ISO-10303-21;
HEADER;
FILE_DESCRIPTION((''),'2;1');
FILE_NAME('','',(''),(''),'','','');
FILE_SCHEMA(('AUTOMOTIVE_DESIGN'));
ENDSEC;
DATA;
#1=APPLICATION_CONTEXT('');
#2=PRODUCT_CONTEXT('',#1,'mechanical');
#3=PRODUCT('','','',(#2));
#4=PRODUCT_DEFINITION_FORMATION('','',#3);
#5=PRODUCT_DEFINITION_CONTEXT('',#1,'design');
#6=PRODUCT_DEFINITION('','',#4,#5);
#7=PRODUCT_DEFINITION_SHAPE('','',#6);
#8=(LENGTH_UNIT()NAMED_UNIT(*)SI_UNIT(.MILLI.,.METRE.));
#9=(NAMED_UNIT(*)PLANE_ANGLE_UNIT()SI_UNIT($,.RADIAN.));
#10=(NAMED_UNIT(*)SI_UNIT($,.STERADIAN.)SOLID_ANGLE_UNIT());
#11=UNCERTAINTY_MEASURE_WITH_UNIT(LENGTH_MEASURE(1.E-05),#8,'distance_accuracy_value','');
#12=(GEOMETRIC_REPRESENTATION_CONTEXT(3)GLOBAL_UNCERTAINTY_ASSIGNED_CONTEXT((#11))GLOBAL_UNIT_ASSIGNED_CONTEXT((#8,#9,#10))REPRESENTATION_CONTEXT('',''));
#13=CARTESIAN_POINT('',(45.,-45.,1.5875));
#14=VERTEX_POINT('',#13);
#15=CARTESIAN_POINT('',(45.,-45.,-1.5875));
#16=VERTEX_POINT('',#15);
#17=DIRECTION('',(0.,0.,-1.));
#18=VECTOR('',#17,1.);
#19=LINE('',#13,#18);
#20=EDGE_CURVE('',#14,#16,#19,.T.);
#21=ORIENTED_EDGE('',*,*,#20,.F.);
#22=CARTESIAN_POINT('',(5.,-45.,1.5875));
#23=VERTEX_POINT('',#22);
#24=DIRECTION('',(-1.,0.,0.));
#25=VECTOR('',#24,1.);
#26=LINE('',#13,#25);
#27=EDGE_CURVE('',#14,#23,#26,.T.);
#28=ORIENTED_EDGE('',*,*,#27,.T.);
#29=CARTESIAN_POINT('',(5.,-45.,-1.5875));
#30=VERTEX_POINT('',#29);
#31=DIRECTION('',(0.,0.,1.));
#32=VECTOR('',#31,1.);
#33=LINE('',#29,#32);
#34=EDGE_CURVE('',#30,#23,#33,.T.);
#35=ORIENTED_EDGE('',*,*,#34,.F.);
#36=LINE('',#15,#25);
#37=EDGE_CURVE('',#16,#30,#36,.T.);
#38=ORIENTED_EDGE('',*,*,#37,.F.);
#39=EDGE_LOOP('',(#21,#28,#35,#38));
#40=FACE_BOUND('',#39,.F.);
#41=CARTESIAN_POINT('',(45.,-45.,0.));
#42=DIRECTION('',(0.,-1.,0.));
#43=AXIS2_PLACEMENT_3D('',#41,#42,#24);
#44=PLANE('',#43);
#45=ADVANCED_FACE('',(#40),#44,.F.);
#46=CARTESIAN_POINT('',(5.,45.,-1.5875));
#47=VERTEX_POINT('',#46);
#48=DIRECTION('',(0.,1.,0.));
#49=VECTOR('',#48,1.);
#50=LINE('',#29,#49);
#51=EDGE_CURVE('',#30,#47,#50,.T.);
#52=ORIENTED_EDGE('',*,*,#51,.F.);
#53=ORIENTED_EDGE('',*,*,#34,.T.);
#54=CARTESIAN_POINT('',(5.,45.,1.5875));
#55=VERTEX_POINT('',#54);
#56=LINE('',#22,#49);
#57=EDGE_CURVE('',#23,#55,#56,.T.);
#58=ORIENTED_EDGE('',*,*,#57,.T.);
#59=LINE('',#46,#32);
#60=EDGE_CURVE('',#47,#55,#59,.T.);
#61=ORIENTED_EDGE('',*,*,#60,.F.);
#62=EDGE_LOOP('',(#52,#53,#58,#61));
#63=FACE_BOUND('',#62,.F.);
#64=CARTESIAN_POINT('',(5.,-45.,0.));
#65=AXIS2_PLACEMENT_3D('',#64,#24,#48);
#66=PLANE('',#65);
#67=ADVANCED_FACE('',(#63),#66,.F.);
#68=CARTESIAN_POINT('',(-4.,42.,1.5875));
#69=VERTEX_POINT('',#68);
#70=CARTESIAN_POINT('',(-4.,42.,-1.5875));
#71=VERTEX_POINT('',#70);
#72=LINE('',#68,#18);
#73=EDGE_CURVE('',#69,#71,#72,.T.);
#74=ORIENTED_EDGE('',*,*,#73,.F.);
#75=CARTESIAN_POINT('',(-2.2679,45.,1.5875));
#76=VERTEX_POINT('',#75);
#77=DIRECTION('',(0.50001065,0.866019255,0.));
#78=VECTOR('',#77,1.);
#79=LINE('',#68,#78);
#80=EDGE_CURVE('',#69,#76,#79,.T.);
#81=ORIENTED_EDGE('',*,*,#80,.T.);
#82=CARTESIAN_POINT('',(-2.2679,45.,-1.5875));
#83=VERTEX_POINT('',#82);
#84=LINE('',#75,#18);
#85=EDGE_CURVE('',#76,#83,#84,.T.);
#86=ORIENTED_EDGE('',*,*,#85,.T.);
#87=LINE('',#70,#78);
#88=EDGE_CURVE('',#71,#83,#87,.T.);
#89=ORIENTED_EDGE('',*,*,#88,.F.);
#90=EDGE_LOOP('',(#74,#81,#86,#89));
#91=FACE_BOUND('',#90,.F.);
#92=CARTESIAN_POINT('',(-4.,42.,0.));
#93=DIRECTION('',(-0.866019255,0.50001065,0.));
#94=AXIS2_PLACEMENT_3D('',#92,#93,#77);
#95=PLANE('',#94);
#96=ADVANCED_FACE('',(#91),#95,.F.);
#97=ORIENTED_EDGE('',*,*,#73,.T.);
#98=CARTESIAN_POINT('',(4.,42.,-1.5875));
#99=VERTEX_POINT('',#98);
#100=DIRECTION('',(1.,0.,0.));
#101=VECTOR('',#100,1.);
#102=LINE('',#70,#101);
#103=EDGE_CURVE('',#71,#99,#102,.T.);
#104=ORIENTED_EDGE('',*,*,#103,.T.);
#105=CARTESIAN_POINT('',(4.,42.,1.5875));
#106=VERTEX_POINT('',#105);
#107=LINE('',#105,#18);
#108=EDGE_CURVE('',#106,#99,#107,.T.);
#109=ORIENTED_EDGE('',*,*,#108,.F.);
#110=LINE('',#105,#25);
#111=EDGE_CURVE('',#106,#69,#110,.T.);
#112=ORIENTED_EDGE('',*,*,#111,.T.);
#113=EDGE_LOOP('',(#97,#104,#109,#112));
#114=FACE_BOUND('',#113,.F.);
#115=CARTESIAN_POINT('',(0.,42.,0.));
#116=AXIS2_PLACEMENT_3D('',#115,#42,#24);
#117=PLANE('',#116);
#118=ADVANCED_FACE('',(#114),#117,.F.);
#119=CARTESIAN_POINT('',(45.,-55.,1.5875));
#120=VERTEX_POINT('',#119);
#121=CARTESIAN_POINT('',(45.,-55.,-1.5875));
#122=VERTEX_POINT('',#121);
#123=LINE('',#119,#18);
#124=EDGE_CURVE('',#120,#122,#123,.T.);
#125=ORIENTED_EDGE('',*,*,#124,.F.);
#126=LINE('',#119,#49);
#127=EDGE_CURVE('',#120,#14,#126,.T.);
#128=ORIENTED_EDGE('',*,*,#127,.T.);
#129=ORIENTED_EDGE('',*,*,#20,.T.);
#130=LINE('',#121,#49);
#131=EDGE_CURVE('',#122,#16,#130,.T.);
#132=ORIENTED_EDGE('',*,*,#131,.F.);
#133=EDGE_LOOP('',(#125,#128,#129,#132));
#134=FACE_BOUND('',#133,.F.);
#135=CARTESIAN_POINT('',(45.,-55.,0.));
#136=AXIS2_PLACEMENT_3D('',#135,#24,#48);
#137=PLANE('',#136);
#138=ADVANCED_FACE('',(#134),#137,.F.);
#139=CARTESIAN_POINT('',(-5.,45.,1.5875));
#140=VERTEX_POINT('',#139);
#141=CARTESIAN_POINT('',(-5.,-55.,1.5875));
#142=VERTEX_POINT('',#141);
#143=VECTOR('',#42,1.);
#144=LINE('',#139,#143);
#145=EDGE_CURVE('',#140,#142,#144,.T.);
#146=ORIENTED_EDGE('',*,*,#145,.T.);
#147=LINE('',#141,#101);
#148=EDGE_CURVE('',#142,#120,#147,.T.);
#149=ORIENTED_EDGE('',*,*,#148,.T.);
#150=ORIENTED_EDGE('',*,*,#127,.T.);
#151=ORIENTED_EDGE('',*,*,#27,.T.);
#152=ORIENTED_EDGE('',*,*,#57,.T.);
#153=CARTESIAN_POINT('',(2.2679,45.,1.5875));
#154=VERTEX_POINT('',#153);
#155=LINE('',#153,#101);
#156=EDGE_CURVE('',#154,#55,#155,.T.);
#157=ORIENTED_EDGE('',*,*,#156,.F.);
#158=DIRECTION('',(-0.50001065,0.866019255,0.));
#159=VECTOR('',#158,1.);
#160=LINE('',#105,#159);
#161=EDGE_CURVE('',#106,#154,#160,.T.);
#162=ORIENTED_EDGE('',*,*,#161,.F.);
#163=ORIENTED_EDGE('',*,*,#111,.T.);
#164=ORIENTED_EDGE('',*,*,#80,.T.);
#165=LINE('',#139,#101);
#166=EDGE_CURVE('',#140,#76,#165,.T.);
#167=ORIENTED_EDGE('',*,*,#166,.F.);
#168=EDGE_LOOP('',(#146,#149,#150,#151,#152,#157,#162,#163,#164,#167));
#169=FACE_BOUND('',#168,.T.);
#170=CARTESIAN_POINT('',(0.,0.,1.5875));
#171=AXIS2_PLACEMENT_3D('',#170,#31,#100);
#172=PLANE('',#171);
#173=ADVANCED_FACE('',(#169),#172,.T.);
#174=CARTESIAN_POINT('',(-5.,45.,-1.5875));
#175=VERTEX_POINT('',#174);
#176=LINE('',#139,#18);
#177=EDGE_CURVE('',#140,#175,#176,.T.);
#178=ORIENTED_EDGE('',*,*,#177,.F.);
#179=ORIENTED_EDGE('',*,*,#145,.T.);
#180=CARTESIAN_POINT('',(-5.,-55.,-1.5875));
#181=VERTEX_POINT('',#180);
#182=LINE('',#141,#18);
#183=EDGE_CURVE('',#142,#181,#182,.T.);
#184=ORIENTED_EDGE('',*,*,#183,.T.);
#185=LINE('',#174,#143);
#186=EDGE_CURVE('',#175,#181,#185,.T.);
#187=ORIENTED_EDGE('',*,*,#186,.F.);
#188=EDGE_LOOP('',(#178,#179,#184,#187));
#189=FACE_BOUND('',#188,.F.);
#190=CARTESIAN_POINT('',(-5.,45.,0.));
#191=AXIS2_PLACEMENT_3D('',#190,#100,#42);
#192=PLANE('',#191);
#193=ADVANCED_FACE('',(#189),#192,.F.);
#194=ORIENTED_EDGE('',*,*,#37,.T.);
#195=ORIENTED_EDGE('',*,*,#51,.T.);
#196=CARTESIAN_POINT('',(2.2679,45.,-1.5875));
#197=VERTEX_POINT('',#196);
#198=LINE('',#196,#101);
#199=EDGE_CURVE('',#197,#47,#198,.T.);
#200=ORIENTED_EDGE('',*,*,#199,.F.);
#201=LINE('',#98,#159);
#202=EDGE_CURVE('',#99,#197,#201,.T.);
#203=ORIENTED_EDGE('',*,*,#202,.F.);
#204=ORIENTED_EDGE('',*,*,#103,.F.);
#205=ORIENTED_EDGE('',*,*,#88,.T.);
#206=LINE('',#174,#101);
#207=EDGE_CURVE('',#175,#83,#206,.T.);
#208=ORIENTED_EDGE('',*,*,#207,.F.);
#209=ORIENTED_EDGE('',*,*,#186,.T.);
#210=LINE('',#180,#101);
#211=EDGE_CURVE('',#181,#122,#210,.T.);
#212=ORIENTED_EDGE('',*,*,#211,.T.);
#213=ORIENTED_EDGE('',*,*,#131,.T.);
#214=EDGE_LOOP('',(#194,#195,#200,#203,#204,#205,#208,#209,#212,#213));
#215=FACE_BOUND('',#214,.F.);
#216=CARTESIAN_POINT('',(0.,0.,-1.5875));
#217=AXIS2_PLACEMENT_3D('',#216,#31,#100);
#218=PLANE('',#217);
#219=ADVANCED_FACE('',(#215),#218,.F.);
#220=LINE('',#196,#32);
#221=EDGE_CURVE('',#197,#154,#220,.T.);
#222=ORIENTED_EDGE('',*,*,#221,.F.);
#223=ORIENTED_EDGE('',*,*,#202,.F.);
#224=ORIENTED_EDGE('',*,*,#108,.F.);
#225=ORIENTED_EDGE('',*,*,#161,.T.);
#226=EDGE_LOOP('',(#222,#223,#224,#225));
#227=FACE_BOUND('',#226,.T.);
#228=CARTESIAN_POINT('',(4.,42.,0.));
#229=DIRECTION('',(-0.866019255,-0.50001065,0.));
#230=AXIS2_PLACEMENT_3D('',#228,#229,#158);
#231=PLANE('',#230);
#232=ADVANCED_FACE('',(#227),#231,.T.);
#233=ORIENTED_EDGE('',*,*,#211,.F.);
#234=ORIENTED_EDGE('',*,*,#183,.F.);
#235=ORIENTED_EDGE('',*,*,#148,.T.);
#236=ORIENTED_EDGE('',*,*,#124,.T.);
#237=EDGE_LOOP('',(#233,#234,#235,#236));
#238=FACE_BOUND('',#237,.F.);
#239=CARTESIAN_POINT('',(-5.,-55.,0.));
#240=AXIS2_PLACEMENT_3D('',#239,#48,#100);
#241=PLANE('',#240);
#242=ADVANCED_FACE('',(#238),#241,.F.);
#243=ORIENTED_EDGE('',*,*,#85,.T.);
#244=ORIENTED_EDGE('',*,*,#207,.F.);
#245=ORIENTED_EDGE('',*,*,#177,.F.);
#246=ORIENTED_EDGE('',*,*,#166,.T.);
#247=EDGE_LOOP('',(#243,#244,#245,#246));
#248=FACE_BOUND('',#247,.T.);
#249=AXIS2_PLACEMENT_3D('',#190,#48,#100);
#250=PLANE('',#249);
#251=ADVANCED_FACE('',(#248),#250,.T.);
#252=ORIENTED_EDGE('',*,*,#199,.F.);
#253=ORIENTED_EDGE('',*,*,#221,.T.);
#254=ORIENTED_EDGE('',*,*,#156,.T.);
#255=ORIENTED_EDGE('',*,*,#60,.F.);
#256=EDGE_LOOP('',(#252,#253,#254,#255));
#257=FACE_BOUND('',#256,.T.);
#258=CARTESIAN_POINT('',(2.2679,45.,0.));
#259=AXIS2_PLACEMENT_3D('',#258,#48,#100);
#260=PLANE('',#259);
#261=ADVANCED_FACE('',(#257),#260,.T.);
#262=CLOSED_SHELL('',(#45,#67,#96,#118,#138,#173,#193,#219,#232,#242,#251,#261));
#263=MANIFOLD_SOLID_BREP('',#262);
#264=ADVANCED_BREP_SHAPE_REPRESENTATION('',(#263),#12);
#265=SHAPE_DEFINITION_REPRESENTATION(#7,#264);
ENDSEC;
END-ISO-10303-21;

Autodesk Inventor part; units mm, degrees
ref_plane "YZ Plane" through (0, 0, 0) normal (1, 0, 0) x (0, 1, 0)
ref_plane "XZ Plane" through (0, 0, 0) normal (0, 1, 0) x (-1, 0, 0)
ref_plane "XY Plane" through (0, 0, 0) normal (0, 0, 1) x (1, 0, 0)
sketch "Sketch1" plane through (0, 0, 0) normal (0, 0, 1) x (1, 0, 0)
  line L0 (5, -45) -> (5, 45)
  line L1 (-5, 45) -> (-5, -55)
  line L2 (-5, -55) -> (45, -55)
  line L3 (45, -55) -> (45, -45)
  line L4 (45, -45) -> (5, -45)
  line L5 (0, 45) -> (0, 42) construction
  line L6 (0, 42) -> (4, 42)
  line L7 (4, 42) -> (0, 42)
  line L8 (4, 42) -> (11.2559, 42) construction
  line L9 (4, 42) -> (2.2679, 45)
  line L10 (4, 42) -> (7.4641, 42) construction
  line L11 (0, 42) -> (-4, 42)
  line L12 (-4, 42) -> (-2.2679, 45)
  line L13 (-5, 45) -> (-2.2679, 45)
  line L14 (2.2679, 45) -> (5, 45)
  line L15 (2.2679, 45) -> (-2.2679, 45) construction
  point P0 (0, 0)
  dimension "d0" = 10
  dimension "d1" = 45
  dimension "d2" = 100
  dimension "d3" = 45
  dimension "d4" = 5
  dimension "d5" = 50
  dimension "d8" = 3
  dimension "d9" = 4
  dimension "d12" = 120
  dimension "d13" = 4
  dimension "d14" = 60
  dimension "d15" = 45
  dimension "d16" = 87
  dimension "d17" = 33.7441
extrude "Extrusion1" add sketch "Sketch1" along normal mid plane 3.175
properties part number "Liu_Inital_L"
